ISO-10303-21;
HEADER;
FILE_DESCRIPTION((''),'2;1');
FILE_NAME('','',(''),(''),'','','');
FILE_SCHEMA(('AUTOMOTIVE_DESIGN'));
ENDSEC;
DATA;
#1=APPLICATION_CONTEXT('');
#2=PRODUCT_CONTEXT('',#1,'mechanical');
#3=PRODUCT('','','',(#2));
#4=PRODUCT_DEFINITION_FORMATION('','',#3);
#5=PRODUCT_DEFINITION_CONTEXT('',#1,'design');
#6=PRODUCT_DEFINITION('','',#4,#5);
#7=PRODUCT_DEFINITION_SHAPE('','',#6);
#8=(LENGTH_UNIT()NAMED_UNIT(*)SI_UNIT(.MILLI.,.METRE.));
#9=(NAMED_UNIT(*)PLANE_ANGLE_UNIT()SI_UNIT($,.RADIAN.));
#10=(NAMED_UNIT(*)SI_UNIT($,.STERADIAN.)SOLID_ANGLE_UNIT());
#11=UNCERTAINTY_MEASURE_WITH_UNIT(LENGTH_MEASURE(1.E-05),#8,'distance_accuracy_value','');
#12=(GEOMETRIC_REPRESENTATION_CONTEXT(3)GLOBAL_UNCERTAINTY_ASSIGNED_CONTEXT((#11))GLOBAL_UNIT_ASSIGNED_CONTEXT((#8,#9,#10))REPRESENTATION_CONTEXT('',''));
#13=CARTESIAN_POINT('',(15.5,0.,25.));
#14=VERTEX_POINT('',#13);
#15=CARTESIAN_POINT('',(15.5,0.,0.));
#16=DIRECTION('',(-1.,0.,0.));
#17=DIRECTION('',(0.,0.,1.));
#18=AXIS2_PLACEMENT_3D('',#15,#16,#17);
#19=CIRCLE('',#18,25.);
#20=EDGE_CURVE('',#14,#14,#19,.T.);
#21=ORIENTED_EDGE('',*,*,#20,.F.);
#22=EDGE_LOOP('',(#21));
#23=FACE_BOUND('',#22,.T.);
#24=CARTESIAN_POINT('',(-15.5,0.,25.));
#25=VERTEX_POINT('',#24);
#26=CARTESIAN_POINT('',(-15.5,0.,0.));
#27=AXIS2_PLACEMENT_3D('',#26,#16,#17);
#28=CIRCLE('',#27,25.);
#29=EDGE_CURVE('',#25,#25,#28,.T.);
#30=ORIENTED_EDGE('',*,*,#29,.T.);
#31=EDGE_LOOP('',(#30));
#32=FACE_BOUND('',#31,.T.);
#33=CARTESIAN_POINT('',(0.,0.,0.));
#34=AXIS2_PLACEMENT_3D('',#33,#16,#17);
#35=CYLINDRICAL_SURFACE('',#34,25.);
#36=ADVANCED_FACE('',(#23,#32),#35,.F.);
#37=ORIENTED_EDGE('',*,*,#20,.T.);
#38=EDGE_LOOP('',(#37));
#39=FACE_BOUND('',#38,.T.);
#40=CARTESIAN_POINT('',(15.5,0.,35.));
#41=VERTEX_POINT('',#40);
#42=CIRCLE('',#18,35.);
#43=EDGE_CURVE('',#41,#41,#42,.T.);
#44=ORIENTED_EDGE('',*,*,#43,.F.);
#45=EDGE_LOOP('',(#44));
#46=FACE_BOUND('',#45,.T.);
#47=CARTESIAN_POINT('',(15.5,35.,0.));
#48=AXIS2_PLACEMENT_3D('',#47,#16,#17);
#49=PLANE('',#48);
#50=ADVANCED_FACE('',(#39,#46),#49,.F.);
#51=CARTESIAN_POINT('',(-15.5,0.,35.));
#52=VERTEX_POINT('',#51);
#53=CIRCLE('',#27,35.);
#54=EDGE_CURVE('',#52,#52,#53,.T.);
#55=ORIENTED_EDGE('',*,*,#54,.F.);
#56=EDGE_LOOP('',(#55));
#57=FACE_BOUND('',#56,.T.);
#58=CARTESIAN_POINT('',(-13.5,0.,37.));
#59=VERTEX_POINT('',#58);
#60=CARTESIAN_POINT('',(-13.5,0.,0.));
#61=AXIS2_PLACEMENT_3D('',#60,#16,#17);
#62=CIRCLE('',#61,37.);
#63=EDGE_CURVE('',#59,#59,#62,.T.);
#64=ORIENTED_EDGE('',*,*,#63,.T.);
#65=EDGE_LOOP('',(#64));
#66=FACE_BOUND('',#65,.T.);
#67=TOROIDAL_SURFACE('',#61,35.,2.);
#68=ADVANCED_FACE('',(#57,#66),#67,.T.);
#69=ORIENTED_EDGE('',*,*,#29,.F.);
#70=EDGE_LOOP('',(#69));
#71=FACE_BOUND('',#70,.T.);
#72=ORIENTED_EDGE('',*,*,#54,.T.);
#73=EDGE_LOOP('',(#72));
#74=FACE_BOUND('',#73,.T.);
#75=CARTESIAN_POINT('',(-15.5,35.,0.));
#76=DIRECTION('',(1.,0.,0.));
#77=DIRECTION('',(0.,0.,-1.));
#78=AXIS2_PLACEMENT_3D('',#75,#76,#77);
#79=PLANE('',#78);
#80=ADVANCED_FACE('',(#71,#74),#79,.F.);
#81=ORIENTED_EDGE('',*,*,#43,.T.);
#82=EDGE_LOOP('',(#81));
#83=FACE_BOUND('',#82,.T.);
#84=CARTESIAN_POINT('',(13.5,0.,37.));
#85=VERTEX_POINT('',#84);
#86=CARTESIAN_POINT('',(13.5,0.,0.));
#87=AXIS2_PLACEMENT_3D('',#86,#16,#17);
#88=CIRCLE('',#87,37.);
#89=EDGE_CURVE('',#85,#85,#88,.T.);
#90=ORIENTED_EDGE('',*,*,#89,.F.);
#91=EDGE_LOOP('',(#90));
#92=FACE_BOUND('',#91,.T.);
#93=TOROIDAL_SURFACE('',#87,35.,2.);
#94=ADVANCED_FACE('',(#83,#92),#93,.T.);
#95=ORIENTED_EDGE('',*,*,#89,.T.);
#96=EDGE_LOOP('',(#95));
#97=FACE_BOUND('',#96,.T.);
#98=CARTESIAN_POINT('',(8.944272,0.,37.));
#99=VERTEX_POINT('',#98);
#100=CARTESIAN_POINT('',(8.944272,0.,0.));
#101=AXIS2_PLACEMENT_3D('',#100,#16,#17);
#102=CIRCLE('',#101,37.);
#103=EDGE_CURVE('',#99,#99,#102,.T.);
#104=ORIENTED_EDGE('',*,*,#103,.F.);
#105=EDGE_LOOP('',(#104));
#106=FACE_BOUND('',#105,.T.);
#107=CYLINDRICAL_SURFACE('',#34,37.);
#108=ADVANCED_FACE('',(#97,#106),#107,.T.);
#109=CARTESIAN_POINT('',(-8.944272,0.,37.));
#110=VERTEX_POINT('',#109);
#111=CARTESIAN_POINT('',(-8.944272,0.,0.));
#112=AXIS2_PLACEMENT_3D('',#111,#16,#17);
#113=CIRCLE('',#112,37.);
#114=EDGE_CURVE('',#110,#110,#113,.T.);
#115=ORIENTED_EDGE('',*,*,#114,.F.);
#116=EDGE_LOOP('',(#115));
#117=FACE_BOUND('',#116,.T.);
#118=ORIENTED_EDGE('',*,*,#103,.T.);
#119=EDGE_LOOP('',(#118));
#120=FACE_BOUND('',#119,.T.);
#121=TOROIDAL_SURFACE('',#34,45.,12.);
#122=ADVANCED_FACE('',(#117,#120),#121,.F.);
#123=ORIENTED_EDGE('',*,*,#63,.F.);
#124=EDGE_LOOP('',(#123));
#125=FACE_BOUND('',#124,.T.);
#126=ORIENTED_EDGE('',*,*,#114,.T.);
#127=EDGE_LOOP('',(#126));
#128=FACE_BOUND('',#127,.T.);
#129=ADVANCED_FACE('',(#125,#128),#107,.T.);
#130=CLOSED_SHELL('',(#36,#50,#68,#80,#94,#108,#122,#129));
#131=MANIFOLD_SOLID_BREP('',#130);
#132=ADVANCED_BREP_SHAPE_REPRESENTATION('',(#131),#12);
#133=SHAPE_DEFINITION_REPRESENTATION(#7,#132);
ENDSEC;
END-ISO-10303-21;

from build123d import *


with BuildPart() as part:
    # Sketch1 → Revolve1 (revolve)
    with BuildSketch(Plane.XY, mode=Mode.PRIVATE) as revolve1_sk:
        with BuildLine():
            Line((8.94427191, 37), (13.5, 37))
            ThreePointArc((13.5, 37), (14.914213562, 36.414213562), (15.5, 35))
            Line((15.5, 35), (15.5, 25))
            Line((15.5, 25), (-15.5, 25))
            Line((-15.5, 25), (-15.5, 35))
            ThreePointArc((-15.5, 35), (-14.914213562, 36.414213562), (-13.5, 37))
            Line((-13.5, 37), (-8.94427191, 37))
            ThreePointArc((-8.94427191, 37), (0, 33), (8.94427191, 37))
        make_face()
    revolve(revolve1_sk.sketch.rotate(Axis((0, 0, 0), (1, 0, 0)), 90), axis=Axis((0, 0, 0), (1, 0, 0)))


solid = part.part
